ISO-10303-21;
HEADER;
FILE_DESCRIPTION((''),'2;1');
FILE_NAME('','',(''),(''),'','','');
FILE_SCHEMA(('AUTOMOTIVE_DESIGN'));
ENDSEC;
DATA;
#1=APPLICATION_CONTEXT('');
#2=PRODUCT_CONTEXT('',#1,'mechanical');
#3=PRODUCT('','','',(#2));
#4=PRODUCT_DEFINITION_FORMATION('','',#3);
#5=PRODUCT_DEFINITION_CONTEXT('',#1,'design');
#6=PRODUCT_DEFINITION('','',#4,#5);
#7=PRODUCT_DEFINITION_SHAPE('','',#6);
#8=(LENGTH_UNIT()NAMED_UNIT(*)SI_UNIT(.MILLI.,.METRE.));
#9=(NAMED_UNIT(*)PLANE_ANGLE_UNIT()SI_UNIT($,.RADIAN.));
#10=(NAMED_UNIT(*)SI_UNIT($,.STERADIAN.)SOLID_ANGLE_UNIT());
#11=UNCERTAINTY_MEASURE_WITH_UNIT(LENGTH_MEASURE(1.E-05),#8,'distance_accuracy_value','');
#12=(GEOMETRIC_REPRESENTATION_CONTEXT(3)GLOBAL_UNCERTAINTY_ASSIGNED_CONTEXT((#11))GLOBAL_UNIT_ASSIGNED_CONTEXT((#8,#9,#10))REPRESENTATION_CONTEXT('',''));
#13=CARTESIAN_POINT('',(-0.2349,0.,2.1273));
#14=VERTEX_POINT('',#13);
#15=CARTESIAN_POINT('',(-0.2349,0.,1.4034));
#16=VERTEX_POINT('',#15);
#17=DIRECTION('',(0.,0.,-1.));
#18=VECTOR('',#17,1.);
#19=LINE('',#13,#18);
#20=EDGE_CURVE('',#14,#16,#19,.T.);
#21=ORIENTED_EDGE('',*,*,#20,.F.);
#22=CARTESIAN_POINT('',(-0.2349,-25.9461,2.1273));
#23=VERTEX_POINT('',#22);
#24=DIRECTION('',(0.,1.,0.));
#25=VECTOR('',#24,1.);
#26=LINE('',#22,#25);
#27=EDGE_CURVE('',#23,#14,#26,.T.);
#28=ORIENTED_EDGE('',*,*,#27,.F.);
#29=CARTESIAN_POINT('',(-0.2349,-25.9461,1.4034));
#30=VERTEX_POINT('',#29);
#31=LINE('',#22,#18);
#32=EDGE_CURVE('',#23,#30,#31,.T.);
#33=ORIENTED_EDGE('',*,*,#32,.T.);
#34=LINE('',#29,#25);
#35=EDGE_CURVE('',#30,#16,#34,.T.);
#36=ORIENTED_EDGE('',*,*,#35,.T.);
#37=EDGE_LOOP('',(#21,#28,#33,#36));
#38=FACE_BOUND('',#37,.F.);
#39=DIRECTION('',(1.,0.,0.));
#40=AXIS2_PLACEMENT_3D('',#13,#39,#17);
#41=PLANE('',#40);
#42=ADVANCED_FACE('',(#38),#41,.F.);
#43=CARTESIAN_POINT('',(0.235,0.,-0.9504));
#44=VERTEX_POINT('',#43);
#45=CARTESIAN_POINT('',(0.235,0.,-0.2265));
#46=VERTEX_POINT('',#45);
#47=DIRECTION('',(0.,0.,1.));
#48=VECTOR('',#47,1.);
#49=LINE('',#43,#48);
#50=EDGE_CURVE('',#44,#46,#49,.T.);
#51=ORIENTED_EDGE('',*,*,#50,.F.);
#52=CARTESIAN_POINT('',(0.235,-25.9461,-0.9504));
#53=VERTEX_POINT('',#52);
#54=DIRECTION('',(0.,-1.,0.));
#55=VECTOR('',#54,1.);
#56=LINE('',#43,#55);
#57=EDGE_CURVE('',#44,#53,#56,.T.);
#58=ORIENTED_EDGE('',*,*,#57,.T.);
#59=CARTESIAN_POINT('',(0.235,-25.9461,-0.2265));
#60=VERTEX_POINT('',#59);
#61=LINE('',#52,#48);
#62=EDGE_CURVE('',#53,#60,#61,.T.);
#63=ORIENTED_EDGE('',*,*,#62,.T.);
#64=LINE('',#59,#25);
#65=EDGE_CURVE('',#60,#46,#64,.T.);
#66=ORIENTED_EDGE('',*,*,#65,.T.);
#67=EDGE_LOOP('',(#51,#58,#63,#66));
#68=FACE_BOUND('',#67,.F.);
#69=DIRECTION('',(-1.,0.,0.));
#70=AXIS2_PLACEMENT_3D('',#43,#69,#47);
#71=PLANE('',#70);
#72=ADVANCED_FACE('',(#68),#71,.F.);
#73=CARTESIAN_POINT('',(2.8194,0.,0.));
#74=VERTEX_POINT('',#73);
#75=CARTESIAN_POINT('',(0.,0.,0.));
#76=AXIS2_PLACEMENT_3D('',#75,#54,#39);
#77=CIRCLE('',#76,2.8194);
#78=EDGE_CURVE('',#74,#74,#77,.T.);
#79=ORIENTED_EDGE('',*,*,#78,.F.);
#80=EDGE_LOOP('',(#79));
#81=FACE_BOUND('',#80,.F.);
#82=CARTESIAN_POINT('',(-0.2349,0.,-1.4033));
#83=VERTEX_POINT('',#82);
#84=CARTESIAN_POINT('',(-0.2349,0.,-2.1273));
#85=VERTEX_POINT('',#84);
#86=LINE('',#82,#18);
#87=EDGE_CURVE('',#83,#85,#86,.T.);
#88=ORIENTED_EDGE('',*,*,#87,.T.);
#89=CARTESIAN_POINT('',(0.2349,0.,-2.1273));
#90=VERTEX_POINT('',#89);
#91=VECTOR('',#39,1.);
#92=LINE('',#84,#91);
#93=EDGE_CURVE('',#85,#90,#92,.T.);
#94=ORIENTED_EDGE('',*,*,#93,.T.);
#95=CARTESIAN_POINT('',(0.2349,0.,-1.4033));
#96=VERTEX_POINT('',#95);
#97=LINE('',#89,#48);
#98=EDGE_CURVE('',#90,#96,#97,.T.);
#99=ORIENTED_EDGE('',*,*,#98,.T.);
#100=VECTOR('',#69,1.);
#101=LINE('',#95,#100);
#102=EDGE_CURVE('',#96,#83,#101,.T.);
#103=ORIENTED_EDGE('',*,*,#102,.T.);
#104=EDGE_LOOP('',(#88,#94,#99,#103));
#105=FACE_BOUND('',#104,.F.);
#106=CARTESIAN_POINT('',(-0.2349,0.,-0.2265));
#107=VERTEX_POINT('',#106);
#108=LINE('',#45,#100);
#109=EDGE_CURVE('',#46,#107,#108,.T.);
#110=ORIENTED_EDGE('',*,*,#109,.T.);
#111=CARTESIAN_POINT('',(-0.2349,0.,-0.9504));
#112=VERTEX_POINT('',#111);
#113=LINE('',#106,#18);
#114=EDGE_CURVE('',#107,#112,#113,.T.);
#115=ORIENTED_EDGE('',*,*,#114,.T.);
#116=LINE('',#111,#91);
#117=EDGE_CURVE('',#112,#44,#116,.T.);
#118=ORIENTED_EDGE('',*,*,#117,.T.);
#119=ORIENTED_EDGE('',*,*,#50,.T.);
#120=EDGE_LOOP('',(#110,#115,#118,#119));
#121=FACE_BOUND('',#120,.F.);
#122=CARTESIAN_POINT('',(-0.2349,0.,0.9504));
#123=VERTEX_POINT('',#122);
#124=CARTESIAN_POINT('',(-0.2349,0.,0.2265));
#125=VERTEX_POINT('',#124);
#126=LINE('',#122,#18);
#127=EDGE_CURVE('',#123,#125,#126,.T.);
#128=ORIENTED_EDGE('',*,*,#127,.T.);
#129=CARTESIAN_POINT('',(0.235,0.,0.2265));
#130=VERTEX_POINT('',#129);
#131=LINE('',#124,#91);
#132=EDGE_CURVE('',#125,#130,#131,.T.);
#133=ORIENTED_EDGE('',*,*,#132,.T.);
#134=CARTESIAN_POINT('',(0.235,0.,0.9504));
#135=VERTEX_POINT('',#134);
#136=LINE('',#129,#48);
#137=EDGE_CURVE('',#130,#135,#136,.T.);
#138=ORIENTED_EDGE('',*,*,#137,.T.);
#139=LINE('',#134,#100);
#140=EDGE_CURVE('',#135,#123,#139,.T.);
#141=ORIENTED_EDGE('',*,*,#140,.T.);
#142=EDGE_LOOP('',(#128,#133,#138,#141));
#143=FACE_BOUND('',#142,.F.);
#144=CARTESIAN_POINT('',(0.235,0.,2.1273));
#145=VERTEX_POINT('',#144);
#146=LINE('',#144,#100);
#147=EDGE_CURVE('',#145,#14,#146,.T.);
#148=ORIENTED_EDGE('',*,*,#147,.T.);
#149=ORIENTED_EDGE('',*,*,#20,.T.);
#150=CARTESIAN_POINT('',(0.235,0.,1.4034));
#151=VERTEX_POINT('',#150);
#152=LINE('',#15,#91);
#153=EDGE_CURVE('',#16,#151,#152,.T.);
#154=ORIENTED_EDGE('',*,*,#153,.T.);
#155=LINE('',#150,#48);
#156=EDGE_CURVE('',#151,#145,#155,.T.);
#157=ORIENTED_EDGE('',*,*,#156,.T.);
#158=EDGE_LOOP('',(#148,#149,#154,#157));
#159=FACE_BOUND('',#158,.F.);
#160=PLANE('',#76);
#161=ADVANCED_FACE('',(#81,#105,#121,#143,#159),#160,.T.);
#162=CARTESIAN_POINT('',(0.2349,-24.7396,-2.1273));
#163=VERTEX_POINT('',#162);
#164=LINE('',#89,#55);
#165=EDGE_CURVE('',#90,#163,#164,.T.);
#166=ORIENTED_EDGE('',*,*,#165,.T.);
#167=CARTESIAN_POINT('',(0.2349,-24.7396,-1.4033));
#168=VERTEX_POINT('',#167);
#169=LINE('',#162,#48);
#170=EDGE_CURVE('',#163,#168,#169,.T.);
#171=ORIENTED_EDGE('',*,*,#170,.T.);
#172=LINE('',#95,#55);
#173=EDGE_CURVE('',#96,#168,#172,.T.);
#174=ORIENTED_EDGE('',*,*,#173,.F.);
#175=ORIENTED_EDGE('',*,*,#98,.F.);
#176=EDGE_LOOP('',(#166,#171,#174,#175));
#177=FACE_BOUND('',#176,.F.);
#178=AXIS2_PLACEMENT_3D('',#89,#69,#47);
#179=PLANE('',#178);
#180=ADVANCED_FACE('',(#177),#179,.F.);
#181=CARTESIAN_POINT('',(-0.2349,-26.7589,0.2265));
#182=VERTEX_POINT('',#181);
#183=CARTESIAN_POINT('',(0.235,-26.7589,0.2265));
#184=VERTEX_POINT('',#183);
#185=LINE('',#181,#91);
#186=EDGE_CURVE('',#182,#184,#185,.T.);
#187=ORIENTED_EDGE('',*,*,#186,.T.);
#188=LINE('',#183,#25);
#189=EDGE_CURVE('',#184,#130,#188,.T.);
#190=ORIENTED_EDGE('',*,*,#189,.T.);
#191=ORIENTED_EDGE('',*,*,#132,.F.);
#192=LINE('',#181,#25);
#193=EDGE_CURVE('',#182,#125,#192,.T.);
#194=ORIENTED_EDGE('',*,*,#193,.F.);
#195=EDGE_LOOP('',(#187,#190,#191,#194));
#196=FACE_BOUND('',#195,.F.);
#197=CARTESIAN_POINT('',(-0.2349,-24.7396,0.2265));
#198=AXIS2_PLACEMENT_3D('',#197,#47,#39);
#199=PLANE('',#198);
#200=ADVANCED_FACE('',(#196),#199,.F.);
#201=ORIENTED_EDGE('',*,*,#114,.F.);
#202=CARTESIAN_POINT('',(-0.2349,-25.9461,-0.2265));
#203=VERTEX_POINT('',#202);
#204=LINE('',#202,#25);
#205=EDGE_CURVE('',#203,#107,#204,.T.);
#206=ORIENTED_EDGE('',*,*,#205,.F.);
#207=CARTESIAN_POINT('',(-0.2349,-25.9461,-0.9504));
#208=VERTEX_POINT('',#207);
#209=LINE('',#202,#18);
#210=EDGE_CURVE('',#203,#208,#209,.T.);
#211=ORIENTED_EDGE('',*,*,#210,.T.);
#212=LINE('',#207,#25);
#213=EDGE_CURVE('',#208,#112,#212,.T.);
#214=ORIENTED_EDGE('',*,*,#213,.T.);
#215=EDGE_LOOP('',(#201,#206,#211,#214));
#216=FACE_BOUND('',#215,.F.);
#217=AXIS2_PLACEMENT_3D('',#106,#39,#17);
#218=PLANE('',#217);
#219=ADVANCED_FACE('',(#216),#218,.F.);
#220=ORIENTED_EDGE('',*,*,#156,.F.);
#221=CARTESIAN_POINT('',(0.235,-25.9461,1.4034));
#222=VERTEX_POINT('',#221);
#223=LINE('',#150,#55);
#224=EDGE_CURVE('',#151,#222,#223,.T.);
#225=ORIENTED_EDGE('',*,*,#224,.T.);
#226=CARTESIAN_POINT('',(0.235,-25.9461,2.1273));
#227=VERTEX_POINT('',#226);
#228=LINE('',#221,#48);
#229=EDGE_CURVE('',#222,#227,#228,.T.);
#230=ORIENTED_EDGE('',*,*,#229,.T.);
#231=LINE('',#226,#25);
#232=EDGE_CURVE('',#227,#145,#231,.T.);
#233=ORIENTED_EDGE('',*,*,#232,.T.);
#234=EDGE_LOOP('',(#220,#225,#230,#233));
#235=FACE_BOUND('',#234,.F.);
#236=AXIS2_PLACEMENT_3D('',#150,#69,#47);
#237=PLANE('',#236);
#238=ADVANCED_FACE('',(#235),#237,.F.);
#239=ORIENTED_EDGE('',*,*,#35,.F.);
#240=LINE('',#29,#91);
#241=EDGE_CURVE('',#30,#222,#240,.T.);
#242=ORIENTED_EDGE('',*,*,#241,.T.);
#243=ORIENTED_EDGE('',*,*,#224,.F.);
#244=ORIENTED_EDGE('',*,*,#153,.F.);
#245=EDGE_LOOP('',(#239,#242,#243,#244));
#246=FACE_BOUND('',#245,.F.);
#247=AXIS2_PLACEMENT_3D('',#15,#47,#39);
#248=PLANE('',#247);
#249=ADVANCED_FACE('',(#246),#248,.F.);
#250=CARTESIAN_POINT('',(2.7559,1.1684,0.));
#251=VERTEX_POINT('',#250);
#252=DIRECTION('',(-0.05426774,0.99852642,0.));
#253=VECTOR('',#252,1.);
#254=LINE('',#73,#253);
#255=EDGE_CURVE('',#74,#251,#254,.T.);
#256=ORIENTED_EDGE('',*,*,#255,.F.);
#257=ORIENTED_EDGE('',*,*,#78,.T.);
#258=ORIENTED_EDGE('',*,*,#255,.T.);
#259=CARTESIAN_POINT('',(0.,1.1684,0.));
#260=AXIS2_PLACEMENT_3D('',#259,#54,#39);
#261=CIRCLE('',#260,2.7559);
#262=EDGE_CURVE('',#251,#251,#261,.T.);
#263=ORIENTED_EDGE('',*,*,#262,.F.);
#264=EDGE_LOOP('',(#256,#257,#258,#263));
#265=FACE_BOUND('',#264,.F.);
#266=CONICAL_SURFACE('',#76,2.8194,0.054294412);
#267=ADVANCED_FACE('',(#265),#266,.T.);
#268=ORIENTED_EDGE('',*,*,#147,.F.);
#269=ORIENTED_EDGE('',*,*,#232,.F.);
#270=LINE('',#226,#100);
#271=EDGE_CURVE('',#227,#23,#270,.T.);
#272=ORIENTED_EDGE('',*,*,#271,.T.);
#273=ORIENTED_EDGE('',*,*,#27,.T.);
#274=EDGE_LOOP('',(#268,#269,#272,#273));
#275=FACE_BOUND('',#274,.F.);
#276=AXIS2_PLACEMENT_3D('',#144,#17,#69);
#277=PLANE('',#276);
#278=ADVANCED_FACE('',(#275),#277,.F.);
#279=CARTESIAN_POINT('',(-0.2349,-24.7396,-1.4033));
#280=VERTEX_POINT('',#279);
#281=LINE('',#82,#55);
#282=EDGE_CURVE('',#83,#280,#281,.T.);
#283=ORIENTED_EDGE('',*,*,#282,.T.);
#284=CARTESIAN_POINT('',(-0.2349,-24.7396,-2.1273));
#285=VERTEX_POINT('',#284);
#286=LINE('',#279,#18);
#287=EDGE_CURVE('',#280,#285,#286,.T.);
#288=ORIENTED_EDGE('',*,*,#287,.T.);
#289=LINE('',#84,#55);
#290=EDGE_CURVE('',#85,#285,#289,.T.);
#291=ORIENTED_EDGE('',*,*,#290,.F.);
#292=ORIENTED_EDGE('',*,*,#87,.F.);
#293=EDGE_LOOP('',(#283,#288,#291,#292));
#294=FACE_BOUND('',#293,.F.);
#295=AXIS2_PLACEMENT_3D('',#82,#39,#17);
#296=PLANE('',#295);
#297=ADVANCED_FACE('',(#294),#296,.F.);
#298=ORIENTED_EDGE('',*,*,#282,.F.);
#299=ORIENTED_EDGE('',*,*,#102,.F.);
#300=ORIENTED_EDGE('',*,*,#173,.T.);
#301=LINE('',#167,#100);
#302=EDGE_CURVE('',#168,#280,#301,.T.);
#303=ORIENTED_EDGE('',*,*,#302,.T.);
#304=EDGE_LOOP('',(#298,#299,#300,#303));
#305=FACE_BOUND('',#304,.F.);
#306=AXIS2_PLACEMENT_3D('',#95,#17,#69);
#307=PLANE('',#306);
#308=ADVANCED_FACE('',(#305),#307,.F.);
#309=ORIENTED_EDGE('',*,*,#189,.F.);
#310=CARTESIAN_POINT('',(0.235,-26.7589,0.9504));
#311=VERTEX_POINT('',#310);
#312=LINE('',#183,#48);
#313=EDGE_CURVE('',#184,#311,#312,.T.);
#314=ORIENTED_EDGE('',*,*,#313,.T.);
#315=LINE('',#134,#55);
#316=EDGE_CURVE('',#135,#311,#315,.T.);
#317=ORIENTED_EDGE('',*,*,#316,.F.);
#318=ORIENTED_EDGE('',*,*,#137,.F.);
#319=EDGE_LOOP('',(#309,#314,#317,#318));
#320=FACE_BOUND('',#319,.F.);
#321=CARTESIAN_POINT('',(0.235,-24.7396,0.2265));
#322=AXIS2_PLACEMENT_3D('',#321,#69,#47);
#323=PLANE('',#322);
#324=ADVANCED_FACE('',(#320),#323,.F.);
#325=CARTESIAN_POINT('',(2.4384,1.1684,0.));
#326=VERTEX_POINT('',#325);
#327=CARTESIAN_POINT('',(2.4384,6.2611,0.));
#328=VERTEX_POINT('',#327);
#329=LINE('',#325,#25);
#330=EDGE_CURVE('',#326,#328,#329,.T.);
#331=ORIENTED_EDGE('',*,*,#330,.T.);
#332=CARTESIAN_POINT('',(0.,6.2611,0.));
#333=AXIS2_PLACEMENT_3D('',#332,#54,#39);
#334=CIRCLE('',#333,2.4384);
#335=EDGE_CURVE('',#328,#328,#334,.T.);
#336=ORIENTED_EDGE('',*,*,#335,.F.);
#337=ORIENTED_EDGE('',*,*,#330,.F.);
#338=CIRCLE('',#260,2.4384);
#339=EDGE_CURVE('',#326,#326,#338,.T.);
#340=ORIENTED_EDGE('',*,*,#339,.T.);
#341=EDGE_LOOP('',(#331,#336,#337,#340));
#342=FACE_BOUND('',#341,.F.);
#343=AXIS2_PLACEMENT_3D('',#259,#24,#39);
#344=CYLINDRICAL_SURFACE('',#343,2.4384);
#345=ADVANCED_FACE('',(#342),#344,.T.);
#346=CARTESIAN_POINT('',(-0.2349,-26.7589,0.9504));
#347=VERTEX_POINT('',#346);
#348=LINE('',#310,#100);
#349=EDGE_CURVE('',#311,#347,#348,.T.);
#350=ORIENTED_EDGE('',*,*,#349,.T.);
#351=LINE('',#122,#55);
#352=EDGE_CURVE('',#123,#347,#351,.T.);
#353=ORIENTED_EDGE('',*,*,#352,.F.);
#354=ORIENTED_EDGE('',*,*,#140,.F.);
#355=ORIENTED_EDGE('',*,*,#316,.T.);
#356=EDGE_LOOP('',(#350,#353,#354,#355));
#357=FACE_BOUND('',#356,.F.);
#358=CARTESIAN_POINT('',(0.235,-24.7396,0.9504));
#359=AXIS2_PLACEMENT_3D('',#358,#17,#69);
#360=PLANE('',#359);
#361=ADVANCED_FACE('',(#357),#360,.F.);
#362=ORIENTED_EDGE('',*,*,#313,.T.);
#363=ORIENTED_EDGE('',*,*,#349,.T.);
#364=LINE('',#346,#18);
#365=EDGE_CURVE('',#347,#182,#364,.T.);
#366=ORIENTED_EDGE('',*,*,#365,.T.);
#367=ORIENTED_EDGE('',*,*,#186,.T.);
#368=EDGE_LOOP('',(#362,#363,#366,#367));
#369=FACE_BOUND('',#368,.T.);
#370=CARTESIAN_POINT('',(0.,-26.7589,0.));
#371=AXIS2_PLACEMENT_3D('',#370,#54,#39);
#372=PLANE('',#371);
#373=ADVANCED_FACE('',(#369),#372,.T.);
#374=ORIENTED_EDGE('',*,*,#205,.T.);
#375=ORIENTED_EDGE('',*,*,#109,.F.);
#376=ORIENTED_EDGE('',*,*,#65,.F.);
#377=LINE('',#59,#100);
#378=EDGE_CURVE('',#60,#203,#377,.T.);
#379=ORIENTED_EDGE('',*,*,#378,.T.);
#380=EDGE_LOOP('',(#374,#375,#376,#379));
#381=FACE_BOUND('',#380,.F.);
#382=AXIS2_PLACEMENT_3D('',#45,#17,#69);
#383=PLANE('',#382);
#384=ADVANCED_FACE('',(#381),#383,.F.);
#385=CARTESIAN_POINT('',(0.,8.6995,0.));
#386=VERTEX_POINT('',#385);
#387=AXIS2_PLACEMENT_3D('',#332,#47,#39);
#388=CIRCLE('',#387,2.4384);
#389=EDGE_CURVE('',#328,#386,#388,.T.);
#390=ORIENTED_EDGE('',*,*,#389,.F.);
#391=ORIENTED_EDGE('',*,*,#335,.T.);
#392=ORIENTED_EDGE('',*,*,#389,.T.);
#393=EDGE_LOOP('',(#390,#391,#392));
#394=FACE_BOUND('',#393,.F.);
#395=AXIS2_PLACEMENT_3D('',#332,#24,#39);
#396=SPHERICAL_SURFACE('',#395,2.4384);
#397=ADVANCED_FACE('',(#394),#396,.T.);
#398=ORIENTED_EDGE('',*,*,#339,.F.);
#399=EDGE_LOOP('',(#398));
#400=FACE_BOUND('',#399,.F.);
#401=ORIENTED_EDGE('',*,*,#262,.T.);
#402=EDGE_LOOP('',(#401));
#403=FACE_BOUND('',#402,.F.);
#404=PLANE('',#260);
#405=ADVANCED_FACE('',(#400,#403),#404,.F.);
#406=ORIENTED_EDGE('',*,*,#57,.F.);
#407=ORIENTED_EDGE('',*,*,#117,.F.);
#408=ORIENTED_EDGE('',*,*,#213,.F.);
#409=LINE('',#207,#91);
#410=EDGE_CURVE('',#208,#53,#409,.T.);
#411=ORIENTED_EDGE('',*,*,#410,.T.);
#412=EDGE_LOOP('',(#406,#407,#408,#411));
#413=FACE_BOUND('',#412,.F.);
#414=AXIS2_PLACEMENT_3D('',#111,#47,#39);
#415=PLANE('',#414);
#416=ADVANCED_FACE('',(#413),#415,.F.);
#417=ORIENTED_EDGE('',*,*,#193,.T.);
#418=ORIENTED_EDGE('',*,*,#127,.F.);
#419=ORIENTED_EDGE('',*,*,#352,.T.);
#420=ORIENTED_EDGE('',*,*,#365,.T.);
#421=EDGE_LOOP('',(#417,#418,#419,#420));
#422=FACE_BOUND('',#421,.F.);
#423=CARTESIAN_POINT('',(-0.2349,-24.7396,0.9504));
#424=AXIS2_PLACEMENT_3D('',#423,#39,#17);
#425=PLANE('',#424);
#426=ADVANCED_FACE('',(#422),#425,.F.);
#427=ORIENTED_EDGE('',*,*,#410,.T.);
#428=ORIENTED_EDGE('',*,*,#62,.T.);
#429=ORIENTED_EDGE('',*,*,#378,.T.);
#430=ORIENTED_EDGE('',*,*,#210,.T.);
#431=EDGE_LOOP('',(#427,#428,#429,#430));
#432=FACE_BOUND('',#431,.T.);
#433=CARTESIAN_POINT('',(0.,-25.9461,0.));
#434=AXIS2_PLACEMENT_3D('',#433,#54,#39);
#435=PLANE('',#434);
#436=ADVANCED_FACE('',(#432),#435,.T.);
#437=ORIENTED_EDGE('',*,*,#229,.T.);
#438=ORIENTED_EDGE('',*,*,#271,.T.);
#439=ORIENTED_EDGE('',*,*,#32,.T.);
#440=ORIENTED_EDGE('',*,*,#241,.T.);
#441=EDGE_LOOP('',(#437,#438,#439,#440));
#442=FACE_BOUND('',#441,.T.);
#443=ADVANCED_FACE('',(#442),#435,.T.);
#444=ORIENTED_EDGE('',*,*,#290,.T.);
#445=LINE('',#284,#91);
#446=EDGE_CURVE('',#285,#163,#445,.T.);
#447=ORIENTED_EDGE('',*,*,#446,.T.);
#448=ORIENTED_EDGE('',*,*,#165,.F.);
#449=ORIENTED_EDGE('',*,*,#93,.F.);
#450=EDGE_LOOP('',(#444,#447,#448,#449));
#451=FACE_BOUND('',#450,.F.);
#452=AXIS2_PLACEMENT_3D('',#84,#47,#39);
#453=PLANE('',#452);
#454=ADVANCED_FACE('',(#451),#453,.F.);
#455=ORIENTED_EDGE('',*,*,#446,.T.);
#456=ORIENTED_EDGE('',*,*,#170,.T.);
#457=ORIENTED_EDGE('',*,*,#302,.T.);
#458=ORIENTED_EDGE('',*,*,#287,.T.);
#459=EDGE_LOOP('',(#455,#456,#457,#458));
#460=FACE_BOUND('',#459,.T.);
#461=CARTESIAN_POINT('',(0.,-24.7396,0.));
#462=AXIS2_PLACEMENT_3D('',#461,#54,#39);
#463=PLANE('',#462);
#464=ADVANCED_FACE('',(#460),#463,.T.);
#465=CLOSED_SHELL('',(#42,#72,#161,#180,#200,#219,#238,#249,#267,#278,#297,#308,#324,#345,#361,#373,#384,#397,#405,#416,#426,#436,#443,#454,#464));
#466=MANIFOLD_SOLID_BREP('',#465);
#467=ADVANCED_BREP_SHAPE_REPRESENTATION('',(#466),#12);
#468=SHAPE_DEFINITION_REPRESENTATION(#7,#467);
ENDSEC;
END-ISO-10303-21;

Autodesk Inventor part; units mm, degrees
ref_plane "YZ Plane" through (0, 0, 0) normal (1, 0, 0) x (0, 1, 0)
ref_plane "XZ Plane" through (0, 0, 0) normal (0, 1, 0) x (-1, 0, 0)
ref_plane "XY Plane" through (0, 0, 0) normal (0, 0, 1) x (1, 0, 0)
sketch "Sketch1" plane through (0, 0, 0) normal (0, 0, 1) x (1, 0, 0)
  line L0 (0, 8.6995) -> (0, 0)
  line L1 (0, 0) -> (2.8194, 0)
  line L2 (2.8194, 0) -> (2.7559, 1.1684)
  line L3 (2.7559, 1.1684) -> (2.4384, 1.1684)
  line L4 (2.4384, 1.1684) -> (2.4384, 6.2611)
  arc A0 (2.4384, 6.2611) -> (0, 8.6995) centre (0, 6.2611) ccw
  dimension "d0" = 2.4384
  dimension "d1" = 2.8194
  dimension "d2" = 2.7559
  dimension "d3" = 1.1684
  dimension "d4" = 8.6995
revolve "Revolution1" add sketch "Sketch1" angle 360 about axis through (0, 8.6995, 0) along (0, -1, 0)
sketch "Sketch2" plane through (0, 0, 0) normal (0, -1, 0) x (1, 0, 0)
  line L0 (0.235, 2.1273) -> (-0.2349, 2.1273)
  line L1 (-0.2349, 2.1273) -> (-0.2349, 1.4034)
  line L2 (-0.2349, 1.4034) -> (0.235, 1.4034)
  line L3 (0.235, 1.4034) -> (0.235, 2.1273)
  line L4 (0.235, 2.1273) -> (-0.2349, 1.4034) construction
  line L5 (-0.2349, 2.1273) -> (0.235, 1.4034) construction
  line L6 (0.235, 0.9504) -> (-0.2349, 0.9504)
  line L7 (-0.2349, 0.9504) -> (-0.2349, 0.2265)
  line L8 (-0.2349, 0.2265) -> (0.235, 0.2265)
  line L9 (0.235, 0.2265) -> (0.235, 0.9504)
  line L10 (0.235, 0.9504) -> (-0.2349, 0.2265) construction
  line L11 (-0.2349, 0.9504) -> (0.235, 0.2265) construction
  line L12 (0.235, -0.2265) -> (-0.2349, -0.2265)
  line L13 (-0.2349, -0.2265) -> (-0.2349, -0.9504)
  line L14 (-0.2349, -0.9504) -> (0.235, -0.9504)
  line L15 (0.235, -0.9504) -> (0.235, -0.2265)
  line L16 (0.235, -0.2265) -> (-0.2349, -0.9504) construction
  line L17 (-0.2349, -0.2265) -> (0.235, -0.9504) construction
  line L18 (0.2349, -1.4033) -> (-0.2349, -1.4033)
  line L19 (-0.2349, -1.4033) -> (-0.2349, -2.1273)
  line L20 (-0.2349, -2.1273) -> (0.2349, -2.1273)
  line L21 (0.2349, -2.1273) -> (0.2349, -1.4033)
  line L22 (0.2349, -1.4033) -> (-0.2349, -2.1273) construction
  line L23 (-0.2349, -1.4033) -> (0.2349, -2.1273) construction
  circle A0 centre (0, 0) radius 2.7559 construction
  line L24 (2.7559, 0) -> (-2.7559, 0) construction
  point P0 (0, 0)
  point P1 (0, 1.7653)
  point P2 (0, 0.5884)
  point P3 (0, -0.5884)
  point P4 (0, -1.7653)
  point P5 (0, -1.7653)
  point P6 (0, -0.9504)
  point P7 (0, -0.5884)
  point P8 (0, 0.5884)
  point P9 (0, 0.2265)
  point P10 (0, 1.7653)
  point P11 (0, -0.5884)
  dimension "d6" = 0.4699
  dimension "d7" = 0.7239
  dimension "d8" = 4.2545
  dimension "d9" = 0.453
  dimension "d10" = 0.453
extrude "Extrusion1" add sketch "Sketch2" along normal blind 24.7396
sketch "Sketch3" plane through (0, -24.7396, 0) normal (0, -1, 0) x (1, 0, 0)
  line L0 (0.235, 2.1273) -> (-0.2349, 2.1273) projected
  line L1 (-0.2349, 2.1273) -> (-0.2349, 1.4034) projected
  line L2 (-0.2349, 1.4034) -> (0.235, 1.4034) projected
  line L3 (0.235, 1.4034) -> (0.235, 2.1273) projected
  line L4 (0.235, -0.2265) -> (-0.2349, -0.2265) projected
  line L5 (-0.2349, -0.2265) -> (-0.2349, -0.9504) projected
  line L6 (-0.2349, -0.9504) -> (0.235, -0.9504) projected
  line L7 (0.235, -0.9504) -> (0.235, -0.2265) projected
  point P0 (0, 0)
extrude "Extrusion2" add sketch "Sketch3" along normal blind 1.2065
sketch "Sketch4" plane through (0, -24.7396, 0) normal (0, -1, 0) x (1, 0, 0)
  line L0 (0.235, 0.9504) -> (-0.2349, 0.9504) projected
  line L1 (-0.2349, 0.9504) -> (-0.2349, 0.2265) projected
  line L2 (-0.2349, 0.2265) -> (0.235, 0.2265) projected
  line L3 (0.235, 0.2265) -> (0.235, 0.9504) projected
  point P0 (0, 0)
extrude "Extrusion3" add sketch "Sketch4" along normal blind 2.0193
equation "\"d9\" = d10"
properties part number "Full LED"
